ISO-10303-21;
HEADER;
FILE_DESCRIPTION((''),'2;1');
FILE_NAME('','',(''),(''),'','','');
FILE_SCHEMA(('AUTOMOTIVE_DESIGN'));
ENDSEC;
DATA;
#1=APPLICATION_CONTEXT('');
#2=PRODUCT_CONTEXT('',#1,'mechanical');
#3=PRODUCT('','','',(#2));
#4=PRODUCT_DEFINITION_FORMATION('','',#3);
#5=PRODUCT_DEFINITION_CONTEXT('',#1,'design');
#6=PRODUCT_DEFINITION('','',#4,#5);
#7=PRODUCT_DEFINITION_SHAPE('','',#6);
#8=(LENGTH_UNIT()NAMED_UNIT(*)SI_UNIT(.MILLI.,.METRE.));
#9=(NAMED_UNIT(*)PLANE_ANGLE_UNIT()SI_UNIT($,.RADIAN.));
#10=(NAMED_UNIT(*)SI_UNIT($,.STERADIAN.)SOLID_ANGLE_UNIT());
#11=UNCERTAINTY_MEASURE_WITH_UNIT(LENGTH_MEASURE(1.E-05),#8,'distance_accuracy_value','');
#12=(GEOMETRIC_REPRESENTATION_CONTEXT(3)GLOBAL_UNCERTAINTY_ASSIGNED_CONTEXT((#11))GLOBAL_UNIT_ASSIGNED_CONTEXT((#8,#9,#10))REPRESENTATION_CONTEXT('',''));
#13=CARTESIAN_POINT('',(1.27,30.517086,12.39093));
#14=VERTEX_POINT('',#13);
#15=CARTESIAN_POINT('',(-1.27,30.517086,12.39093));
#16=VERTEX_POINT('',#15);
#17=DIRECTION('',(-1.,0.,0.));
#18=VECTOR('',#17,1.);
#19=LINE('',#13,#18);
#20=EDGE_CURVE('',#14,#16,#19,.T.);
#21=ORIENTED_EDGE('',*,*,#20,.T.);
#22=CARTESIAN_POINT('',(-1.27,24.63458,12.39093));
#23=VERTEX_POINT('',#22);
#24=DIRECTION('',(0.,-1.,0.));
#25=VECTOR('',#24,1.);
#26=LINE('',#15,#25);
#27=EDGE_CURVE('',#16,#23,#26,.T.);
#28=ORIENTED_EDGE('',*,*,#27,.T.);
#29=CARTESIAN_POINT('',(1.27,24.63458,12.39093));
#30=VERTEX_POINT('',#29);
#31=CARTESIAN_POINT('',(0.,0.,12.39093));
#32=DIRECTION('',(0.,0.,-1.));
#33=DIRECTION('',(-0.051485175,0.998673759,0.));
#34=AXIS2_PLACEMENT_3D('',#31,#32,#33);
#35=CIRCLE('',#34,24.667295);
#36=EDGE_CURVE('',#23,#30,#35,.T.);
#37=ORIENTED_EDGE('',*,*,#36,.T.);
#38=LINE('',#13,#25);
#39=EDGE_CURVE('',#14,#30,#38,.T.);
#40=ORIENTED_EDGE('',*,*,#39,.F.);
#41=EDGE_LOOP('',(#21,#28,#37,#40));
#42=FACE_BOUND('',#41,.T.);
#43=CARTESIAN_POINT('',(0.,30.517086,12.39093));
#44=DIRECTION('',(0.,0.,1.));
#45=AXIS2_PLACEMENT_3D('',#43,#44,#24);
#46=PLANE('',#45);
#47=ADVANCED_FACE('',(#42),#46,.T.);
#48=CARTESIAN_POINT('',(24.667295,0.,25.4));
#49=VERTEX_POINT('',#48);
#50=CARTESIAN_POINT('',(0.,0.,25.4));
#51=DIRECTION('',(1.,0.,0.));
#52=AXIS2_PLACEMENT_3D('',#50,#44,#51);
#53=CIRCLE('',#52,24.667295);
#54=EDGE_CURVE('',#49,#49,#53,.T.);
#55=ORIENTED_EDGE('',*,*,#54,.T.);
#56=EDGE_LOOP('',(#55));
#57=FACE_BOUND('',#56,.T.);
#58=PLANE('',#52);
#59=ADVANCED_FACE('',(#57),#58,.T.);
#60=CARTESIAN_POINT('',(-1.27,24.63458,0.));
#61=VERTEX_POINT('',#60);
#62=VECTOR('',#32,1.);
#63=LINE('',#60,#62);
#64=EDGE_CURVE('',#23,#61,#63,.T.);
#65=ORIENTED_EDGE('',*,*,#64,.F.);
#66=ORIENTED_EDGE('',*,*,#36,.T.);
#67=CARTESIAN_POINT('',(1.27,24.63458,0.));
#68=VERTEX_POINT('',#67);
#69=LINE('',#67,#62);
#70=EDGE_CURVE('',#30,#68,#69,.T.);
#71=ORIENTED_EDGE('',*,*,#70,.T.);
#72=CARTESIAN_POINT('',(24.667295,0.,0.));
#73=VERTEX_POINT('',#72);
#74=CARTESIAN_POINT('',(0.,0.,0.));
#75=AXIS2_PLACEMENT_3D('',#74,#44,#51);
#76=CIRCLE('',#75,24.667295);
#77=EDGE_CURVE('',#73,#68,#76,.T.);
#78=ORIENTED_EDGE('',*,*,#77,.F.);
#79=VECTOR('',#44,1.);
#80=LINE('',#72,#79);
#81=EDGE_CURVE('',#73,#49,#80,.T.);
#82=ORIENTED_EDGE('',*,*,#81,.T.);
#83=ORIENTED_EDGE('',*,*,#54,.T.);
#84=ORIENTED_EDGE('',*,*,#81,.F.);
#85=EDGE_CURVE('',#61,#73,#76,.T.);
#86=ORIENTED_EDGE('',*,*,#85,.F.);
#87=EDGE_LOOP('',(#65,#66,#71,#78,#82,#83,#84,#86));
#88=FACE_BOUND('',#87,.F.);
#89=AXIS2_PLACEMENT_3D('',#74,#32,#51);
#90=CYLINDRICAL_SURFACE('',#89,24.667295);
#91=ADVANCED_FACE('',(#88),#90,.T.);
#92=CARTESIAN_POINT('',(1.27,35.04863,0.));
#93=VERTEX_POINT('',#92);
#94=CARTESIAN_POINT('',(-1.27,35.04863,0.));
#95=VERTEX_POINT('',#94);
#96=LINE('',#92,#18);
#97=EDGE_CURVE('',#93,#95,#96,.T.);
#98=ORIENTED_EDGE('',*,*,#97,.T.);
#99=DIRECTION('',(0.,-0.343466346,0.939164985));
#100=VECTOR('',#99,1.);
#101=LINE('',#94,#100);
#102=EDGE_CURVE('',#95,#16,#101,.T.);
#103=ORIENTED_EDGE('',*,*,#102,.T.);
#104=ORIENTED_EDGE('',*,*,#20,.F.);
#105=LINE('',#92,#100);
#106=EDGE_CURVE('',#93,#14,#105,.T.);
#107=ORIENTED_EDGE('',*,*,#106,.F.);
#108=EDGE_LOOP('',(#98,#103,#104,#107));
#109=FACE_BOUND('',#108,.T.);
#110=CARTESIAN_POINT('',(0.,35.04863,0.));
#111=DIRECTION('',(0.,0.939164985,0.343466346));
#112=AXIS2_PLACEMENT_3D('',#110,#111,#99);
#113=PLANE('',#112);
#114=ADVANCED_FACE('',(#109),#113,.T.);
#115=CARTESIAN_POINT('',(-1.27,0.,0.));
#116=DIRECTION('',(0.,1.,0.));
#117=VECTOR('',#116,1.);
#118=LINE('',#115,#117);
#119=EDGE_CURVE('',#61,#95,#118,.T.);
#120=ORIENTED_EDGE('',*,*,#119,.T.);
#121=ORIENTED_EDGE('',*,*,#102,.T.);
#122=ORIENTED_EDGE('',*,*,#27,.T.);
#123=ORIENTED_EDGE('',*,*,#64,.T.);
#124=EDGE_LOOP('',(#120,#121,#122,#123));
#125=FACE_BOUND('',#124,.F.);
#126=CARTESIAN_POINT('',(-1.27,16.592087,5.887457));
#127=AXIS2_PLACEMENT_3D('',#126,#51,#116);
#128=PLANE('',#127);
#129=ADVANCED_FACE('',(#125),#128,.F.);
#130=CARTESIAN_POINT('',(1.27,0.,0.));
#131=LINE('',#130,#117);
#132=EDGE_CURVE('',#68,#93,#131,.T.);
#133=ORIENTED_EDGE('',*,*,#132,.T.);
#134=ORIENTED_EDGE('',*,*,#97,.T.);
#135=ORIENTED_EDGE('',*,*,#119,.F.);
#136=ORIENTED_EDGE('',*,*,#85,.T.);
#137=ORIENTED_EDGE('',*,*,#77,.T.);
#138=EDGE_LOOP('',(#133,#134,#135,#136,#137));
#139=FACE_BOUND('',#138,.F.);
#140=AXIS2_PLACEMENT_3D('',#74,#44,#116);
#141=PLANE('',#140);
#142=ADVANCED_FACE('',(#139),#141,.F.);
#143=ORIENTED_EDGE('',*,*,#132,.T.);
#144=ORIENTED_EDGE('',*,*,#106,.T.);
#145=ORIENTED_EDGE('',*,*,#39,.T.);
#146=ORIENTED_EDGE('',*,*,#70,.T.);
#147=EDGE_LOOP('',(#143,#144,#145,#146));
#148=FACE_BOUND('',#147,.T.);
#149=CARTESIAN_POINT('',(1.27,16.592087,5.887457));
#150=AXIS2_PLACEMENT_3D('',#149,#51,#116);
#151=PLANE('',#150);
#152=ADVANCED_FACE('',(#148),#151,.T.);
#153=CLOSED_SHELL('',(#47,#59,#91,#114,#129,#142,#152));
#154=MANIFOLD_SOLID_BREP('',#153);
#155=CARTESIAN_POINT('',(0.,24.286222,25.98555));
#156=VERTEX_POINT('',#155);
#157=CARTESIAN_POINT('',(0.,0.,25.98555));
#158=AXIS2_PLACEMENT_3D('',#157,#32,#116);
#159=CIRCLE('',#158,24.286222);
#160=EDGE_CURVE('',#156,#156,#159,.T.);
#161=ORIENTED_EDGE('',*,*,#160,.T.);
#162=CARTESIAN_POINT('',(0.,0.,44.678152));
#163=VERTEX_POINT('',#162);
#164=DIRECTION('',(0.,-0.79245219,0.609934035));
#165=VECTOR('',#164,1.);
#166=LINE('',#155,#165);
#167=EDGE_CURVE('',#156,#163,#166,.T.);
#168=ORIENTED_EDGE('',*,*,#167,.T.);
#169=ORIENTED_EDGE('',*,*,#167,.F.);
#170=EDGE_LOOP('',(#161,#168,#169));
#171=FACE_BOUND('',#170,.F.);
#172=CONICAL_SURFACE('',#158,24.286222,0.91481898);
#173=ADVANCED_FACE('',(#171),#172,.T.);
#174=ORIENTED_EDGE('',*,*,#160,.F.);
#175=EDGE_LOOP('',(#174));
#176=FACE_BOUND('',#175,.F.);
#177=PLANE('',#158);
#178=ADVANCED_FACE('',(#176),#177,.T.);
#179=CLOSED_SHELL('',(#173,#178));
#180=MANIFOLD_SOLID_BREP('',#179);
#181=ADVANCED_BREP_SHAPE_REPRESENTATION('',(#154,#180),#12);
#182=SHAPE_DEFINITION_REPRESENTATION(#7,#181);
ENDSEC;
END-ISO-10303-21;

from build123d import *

# Parameters (mm, degrees)
F0_R          = 24.667295
F1_DEPTH      = 25.4
F5_DEPTH      = 1.27
F5_DEPTH_BACK = 1.27


with BuildPart() as f1:
    # F0 (on Top) → F1 (new body)
    with BuildSketch(Plane.XY):
        Circle(F0_R)
    extrude(amount=F1_DEPTH)

    # F4 (on Right) → F5 (join, two sides)
    with BuildSketch(Plane.YZ) as f5_sk:
        Polygon((30.517086, 12.39093), (0, 12.39093), (0, 0), (35.04863, 0), align=None)
    extrude(amount=F5_DEPTH)
    extrude(f5_sk.sketch, amount=-F5_DEPTH_BACK)


with BuildPart() as f3:
    # F2 (on Right) → F3 (revolve)
    with BuildSketch(Plane.YZ):
        Polygon((24.286222, 25.98555), (0, 44.678152), (0, 25.98555), align=None)
    revolve(axis=Axis((0, 0, 35.331851), (0, 0, -1)))


solid = Compound([f1.part, f3.part])
